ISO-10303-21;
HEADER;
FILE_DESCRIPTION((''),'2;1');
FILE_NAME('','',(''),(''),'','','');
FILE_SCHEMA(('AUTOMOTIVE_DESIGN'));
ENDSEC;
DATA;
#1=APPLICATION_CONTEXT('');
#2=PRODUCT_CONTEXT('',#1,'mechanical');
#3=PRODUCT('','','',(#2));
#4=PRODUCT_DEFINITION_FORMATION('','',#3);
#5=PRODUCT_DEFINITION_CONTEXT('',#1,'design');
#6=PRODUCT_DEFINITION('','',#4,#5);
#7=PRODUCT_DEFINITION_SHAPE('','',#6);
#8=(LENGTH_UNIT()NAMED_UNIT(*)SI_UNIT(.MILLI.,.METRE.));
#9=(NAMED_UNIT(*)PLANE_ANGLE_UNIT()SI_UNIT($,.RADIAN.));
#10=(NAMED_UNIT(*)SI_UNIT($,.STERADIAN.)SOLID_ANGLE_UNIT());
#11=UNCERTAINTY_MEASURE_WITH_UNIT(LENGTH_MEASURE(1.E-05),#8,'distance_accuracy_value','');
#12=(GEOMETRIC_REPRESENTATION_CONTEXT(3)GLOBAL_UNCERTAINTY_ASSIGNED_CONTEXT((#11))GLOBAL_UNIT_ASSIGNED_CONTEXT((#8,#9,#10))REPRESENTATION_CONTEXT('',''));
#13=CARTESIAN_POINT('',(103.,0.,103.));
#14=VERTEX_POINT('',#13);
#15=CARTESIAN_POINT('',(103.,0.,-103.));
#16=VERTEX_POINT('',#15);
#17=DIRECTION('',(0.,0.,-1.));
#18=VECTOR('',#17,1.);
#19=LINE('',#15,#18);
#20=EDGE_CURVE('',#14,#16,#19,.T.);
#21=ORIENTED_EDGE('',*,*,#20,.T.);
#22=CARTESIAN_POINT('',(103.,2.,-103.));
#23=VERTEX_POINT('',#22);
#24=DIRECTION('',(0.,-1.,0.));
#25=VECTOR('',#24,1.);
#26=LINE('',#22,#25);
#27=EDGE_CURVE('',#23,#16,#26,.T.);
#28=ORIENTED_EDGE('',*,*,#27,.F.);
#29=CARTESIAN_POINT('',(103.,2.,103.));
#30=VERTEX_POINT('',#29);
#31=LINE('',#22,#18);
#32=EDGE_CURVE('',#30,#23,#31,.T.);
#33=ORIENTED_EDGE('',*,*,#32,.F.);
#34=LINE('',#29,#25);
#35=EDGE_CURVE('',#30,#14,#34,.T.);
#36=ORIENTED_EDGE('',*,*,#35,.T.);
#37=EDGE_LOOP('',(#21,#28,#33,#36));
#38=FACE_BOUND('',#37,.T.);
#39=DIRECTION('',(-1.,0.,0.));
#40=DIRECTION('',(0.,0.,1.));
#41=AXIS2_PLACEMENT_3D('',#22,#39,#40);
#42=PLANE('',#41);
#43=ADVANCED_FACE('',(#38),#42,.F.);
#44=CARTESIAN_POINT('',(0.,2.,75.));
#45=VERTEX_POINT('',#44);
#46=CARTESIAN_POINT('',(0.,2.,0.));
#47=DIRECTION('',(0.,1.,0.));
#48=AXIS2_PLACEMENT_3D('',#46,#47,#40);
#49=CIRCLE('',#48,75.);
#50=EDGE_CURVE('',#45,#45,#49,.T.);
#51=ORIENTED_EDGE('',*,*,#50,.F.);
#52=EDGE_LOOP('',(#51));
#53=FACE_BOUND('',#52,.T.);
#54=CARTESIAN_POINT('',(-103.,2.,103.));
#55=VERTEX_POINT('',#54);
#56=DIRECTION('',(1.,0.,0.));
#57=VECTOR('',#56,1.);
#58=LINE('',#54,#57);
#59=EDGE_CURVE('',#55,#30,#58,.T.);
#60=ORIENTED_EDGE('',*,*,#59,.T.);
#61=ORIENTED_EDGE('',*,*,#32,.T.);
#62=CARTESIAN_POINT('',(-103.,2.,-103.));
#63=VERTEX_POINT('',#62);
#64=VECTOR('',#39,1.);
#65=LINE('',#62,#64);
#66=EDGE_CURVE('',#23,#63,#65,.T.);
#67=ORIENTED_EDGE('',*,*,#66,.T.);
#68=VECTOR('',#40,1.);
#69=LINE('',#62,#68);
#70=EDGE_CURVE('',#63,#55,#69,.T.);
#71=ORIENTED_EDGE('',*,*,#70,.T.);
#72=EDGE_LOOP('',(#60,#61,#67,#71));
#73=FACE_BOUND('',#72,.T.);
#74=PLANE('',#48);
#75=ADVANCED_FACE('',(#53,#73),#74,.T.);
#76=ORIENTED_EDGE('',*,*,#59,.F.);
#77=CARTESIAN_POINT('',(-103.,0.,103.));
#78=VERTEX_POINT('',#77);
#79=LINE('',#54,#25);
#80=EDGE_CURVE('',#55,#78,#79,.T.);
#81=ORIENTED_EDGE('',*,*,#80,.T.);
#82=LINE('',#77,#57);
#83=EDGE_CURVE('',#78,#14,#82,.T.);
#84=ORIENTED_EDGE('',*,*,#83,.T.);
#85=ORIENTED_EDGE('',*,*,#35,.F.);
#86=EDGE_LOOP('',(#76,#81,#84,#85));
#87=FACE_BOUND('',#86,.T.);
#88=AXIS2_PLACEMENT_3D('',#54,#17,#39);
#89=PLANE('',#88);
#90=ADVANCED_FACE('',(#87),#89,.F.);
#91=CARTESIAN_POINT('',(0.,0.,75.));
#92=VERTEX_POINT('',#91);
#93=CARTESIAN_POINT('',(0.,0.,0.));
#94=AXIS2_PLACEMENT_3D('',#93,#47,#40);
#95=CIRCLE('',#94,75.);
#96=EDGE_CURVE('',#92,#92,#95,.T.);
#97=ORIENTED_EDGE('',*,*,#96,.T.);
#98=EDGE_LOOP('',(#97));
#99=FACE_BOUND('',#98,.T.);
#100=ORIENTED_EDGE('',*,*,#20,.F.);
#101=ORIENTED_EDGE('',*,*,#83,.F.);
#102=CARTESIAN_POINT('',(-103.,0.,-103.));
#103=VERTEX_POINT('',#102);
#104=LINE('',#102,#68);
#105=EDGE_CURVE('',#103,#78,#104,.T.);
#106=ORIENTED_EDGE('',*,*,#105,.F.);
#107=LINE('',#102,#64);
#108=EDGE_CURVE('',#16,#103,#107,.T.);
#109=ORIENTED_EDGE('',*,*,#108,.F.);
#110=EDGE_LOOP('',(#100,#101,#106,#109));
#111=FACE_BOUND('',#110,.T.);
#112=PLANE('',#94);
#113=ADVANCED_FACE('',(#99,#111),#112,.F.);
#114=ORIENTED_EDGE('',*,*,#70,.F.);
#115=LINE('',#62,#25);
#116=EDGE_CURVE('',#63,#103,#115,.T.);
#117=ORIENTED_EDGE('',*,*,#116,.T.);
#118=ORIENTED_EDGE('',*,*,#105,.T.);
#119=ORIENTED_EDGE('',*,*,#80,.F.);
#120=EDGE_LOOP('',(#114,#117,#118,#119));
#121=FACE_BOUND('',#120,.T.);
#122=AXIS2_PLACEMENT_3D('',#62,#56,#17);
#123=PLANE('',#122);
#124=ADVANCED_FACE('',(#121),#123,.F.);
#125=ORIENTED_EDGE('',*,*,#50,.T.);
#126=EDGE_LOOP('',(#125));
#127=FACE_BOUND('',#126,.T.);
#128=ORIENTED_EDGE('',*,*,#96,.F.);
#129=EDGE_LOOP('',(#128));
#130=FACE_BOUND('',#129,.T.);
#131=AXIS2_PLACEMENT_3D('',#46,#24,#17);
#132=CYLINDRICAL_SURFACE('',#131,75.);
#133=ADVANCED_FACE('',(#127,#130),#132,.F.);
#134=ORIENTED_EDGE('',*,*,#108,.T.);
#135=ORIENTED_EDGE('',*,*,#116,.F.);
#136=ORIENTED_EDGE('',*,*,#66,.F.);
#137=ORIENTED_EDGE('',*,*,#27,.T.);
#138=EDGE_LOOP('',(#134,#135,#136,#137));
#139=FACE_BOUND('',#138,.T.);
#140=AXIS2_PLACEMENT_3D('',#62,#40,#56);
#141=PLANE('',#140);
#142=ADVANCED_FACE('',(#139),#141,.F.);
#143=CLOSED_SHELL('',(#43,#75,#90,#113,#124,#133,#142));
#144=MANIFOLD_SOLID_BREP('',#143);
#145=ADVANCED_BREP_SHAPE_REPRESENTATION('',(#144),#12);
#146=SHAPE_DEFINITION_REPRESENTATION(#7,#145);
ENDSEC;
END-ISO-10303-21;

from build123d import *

# Parameters (mm, degrees)
SKETCH1_W           = 206
SKETCH1_H           = 206
SKETCH1_R           = 75
BOSS_EXTRUDE1_DEPTH = 2


with BuildPart() as part:
    # Sketch1 → Boss-Extrude1 (new body)
    with BuildSketch(Plane(origin=(0, 0, 0), x_dir=(1, 0, 0), z_dir=(0, 1, 0))):
        Rectangle(SKETCH1_W, SKETCH1_H)
        Circle(SKETCH1_R, mode=Mode.SUBTRACT)
    extrude(amount=BOSS_EXTRUDE1_DEPTH)


solid = part.part
